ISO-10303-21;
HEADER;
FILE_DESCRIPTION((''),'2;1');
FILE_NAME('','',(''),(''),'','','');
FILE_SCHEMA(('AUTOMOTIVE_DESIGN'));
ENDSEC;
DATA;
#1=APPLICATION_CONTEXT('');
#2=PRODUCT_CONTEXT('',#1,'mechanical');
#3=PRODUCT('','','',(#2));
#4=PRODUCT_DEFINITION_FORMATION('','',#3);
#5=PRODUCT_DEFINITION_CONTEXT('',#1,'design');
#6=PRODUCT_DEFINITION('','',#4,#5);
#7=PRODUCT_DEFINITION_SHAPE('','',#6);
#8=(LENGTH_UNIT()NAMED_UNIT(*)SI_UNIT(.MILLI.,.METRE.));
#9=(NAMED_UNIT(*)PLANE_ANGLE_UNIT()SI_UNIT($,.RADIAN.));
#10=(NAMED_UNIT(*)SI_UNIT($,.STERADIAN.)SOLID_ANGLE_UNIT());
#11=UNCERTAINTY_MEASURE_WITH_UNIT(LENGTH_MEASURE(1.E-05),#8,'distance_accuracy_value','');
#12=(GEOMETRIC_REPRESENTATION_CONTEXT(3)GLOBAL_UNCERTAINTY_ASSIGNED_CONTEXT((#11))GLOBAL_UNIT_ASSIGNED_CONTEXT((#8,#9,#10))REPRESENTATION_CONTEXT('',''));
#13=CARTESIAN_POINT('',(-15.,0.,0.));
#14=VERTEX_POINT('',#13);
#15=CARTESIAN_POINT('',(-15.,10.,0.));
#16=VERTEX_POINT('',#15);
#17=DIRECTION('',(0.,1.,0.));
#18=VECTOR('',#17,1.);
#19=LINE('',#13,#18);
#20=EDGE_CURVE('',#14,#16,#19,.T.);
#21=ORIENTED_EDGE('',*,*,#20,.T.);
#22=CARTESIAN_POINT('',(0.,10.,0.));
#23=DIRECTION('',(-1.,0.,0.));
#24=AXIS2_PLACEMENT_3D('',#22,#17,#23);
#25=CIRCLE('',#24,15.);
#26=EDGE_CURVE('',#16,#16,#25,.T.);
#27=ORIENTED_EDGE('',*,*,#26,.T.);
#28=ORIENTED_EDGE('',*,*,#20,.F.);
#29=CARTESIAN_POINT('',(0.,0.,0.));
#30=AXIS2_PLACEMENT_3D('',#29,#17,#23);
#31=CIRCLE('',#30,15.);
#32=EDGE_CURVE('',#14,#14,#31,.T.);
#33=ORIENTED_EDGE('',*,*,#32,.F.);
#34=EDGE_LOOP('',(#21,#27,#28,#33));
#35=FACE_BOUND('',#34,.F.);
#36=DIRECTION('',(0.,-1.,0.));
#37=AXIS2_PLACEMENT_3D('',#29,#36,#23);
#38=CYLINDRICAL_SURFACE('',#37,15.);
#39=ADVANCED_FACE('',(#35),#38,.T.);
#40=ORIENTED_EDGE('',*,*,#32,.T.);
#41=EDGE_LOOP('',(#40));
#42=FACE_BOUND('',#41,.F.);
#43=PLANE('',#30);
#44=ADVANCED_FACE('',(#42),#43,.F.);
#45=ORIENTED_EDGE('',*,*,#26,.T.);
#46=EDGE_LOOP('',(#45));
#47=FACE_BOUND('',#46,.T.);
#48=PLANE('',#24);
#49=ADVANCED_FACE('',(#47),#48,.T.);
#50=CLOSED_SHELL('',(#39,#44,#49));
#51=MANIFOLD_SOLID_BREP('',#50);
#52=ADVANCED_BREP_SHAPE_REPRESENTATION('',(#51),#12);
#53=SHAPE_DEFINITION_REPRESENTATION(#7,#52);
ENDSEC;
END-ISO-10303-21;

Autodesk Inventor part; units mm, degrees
ref_plane "YZ Plane" through (0, 0, 0) normal (1, 0, 0) x (0, 1, 0)
ref_plane "XZ Plane" through (0, 0, 0) normal (0, 1, 0) x (-1, 0, 0)
ref_plane "XY Plane" through (0, 0, 0) normal (0, 0, 1) x (1, 0, 0)
sketch "Sketch1" plane through (0, 0, 0) normal (0, 1, 0) x (-1, 0, 0)
  circle A0 centre (0, 0) radius 15
  dimension "d0" = 30
extrude "Extrusion1" add sketch "Sketch1" along normal blind 10
equation "\"abcd\" = 1"
